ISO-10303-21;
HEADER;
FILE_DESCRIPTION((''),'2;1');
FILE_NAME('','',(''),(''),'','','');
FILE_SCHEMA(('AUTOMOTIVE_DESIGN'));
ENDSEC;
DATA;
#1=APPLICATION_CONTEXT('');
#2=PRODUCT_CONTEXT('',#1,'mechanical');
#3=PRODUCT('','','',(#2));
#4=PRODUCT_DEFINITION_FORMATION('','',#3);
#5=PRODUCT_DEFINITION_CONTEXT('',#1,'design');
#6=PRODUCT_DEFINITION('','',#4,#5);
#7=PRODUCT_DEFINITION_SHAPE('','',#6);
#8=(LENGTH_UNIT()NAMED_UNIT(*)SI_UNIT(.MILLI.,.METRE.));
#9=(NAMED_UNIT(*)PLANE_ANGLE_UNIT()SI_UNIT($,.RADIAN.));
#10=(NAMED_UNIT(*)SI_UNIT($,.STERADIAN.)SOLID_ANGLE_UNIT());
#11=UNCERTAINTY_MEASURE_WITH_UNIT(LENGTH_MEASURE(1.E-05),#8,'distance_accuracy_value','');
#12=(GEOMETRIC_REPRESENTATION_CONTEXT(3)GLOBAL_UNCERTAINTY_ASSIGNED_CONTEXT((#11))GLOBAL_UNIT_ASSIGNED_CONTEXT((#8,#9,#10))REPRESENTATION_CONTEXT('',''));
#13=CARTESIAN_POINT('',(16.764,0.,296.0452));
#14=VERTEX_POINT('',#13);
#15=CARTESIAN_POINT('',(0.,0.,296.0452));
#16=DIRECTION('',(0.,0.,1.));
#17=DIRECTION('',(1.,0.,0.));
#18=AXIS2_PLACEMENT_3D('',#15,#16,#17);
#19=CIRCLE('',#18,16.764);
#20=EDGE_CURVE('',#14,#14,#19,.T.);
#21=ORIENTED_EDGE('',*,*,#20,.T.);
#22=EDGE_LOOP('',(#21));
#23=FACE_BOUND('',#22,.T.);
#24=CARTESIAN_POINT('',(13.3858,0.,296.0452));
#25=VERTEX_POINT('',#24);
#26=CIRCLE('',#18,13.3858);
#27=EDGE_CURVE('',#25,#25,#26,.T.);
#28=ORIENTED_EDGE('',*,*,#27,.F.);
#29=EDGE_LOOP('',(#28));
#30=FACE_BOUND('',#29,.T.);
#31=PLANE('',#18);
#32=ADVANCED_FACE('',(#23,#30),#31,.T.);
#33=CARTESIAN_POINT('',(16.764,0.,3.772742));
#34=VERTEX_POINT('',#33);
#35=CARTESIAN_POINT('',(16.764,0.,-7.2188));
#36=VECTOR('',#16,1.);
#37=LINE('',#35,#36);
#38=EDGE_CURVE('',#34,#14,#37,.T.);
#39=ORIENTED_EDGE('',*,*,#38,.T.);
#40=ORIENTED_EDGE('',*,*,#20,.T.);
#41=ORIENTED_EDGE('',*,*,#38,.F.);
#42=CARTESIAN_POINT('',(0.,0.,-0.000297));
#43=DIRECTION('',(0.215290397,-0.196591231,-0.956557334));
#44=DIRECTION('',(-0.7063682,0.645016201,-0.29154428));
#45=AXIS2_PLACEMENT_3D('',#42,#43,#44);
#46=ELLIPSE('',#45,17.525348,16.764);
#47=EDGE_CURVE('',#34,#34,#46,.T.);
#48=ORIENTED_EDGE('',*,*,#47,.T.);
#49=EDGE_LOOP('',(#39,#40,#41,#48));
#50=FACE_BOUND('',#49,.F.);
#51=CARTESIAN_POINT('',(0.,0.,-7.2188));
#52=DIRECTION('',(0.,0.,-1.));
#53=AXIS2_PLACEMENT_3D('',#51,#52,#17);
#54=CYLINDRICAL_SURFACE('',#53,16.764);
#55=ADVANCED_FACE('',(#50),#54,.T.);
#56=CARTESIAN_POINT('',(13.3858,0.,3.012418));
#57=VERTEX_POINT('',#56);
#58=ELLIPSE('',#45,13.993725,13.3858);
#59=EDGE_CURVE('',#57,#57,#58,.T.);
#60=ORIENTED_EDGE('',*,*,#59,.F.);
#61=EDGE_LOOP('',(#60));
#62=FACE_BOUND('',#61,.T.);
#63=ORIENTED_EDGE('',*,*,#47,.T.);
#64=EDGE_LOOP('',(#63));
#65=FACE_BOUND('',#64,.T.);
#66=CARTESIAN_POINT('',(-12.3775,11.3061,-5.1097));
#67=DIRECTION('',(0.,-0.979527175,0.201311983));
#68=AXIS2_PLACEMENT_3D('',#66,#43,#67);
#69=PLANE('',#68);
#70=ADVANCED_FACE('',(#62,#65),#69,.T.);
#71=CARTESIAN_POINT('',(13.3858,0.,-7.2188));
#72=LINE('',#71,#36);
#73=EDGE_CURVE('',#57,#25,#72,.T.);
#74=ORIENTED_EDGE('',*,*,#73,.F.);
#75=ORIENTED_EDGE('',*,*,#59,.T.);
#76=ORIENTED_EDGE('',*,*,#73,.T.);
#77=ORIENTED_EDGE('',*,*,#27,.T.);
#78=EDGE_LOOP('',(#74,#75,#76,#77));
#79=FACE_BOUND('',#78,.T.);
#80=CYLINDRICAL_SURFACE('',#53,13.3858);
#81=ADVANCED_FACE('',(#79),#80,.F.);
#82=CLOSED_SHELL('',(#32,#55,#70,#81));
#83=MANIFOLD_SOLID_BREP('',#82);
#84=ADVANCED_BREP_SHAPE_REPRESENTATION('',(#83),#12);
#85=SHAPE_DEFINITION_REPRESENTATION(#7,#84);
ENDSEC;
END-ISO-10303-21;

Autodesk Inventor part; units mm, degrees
ref_plane "Start plane" through (0, 0, -7.2188) normal (0, 0, 1) x (1, 0, 0)
ref_plane "End plane" through (0, 0, 296.0452) normal (0, 0, 1) x (1, 0, 0)
sketch "Sketch" plane through (0, 0, 0) normal (0, 0, 1) x (1, 0, 0)
  circle A0 centre (0, 0) radius 13.3858
  circle A1 centre (0, 0) radius 16.764
  dimension "d0" = 33.528
  dimension "d1" = 3.3782
extrude "Body" add sketch "Sketch" along normal up to surface (303.264 mm away) from surface at -7.2188
sketch "Sketch3" plane through (0, 0, 0) normal (0, 0, 1) x (1, 0, 0)
  line L0 (0, 0) -> (10, 0)
ref_plane "Work Plane3" through (0, 0, 0) normal (0, -1, 0) x (1, 0, 0)
sketch "Sketch4" plane through (0, 0, 0) normal (0, -1, 0) x (1, 0, 0)
  line L0 (-2, -7.2188) -> (12, -7.2188)
  line L1 (-2, 296.0452) -> (12, 296.0452)
  dimension "d7" = 303.264
ref_plane "Work Plane4" through (-12.3775, 11.3061, -5.1097) normal (0.2153, -0.1966, -0.9566) x (-0.0666, 0.9743, -0.2153)
split "Split1" plane through (-12.3775, 11.3061, -5.1097) removes the side toward (0.2153, -0.1966, -0.9566)
equation "\"d0\" = G_H"
equation "\"d1\" = G_T"
equation "\"d2\" = G_L"
equation "\"G_H\" = 33.528"
equation "\"G_T\" = 3.3782"
equation "\"G_L\" = 301.15486"
equation "\"G_OFFSET_START\" = 7.21878"
equation "\"G_OFFSET_END\" = 0"
equation "\"d4\" = -G_OFFSET_START"
equation "\"d5\" = G_OFFSET_END + B_L"
equation "\"B_L\" = 296.04519"
properties part number "ANSI - 1 x 0.133 - 11,94" material "Steel, Mild, Welded"
